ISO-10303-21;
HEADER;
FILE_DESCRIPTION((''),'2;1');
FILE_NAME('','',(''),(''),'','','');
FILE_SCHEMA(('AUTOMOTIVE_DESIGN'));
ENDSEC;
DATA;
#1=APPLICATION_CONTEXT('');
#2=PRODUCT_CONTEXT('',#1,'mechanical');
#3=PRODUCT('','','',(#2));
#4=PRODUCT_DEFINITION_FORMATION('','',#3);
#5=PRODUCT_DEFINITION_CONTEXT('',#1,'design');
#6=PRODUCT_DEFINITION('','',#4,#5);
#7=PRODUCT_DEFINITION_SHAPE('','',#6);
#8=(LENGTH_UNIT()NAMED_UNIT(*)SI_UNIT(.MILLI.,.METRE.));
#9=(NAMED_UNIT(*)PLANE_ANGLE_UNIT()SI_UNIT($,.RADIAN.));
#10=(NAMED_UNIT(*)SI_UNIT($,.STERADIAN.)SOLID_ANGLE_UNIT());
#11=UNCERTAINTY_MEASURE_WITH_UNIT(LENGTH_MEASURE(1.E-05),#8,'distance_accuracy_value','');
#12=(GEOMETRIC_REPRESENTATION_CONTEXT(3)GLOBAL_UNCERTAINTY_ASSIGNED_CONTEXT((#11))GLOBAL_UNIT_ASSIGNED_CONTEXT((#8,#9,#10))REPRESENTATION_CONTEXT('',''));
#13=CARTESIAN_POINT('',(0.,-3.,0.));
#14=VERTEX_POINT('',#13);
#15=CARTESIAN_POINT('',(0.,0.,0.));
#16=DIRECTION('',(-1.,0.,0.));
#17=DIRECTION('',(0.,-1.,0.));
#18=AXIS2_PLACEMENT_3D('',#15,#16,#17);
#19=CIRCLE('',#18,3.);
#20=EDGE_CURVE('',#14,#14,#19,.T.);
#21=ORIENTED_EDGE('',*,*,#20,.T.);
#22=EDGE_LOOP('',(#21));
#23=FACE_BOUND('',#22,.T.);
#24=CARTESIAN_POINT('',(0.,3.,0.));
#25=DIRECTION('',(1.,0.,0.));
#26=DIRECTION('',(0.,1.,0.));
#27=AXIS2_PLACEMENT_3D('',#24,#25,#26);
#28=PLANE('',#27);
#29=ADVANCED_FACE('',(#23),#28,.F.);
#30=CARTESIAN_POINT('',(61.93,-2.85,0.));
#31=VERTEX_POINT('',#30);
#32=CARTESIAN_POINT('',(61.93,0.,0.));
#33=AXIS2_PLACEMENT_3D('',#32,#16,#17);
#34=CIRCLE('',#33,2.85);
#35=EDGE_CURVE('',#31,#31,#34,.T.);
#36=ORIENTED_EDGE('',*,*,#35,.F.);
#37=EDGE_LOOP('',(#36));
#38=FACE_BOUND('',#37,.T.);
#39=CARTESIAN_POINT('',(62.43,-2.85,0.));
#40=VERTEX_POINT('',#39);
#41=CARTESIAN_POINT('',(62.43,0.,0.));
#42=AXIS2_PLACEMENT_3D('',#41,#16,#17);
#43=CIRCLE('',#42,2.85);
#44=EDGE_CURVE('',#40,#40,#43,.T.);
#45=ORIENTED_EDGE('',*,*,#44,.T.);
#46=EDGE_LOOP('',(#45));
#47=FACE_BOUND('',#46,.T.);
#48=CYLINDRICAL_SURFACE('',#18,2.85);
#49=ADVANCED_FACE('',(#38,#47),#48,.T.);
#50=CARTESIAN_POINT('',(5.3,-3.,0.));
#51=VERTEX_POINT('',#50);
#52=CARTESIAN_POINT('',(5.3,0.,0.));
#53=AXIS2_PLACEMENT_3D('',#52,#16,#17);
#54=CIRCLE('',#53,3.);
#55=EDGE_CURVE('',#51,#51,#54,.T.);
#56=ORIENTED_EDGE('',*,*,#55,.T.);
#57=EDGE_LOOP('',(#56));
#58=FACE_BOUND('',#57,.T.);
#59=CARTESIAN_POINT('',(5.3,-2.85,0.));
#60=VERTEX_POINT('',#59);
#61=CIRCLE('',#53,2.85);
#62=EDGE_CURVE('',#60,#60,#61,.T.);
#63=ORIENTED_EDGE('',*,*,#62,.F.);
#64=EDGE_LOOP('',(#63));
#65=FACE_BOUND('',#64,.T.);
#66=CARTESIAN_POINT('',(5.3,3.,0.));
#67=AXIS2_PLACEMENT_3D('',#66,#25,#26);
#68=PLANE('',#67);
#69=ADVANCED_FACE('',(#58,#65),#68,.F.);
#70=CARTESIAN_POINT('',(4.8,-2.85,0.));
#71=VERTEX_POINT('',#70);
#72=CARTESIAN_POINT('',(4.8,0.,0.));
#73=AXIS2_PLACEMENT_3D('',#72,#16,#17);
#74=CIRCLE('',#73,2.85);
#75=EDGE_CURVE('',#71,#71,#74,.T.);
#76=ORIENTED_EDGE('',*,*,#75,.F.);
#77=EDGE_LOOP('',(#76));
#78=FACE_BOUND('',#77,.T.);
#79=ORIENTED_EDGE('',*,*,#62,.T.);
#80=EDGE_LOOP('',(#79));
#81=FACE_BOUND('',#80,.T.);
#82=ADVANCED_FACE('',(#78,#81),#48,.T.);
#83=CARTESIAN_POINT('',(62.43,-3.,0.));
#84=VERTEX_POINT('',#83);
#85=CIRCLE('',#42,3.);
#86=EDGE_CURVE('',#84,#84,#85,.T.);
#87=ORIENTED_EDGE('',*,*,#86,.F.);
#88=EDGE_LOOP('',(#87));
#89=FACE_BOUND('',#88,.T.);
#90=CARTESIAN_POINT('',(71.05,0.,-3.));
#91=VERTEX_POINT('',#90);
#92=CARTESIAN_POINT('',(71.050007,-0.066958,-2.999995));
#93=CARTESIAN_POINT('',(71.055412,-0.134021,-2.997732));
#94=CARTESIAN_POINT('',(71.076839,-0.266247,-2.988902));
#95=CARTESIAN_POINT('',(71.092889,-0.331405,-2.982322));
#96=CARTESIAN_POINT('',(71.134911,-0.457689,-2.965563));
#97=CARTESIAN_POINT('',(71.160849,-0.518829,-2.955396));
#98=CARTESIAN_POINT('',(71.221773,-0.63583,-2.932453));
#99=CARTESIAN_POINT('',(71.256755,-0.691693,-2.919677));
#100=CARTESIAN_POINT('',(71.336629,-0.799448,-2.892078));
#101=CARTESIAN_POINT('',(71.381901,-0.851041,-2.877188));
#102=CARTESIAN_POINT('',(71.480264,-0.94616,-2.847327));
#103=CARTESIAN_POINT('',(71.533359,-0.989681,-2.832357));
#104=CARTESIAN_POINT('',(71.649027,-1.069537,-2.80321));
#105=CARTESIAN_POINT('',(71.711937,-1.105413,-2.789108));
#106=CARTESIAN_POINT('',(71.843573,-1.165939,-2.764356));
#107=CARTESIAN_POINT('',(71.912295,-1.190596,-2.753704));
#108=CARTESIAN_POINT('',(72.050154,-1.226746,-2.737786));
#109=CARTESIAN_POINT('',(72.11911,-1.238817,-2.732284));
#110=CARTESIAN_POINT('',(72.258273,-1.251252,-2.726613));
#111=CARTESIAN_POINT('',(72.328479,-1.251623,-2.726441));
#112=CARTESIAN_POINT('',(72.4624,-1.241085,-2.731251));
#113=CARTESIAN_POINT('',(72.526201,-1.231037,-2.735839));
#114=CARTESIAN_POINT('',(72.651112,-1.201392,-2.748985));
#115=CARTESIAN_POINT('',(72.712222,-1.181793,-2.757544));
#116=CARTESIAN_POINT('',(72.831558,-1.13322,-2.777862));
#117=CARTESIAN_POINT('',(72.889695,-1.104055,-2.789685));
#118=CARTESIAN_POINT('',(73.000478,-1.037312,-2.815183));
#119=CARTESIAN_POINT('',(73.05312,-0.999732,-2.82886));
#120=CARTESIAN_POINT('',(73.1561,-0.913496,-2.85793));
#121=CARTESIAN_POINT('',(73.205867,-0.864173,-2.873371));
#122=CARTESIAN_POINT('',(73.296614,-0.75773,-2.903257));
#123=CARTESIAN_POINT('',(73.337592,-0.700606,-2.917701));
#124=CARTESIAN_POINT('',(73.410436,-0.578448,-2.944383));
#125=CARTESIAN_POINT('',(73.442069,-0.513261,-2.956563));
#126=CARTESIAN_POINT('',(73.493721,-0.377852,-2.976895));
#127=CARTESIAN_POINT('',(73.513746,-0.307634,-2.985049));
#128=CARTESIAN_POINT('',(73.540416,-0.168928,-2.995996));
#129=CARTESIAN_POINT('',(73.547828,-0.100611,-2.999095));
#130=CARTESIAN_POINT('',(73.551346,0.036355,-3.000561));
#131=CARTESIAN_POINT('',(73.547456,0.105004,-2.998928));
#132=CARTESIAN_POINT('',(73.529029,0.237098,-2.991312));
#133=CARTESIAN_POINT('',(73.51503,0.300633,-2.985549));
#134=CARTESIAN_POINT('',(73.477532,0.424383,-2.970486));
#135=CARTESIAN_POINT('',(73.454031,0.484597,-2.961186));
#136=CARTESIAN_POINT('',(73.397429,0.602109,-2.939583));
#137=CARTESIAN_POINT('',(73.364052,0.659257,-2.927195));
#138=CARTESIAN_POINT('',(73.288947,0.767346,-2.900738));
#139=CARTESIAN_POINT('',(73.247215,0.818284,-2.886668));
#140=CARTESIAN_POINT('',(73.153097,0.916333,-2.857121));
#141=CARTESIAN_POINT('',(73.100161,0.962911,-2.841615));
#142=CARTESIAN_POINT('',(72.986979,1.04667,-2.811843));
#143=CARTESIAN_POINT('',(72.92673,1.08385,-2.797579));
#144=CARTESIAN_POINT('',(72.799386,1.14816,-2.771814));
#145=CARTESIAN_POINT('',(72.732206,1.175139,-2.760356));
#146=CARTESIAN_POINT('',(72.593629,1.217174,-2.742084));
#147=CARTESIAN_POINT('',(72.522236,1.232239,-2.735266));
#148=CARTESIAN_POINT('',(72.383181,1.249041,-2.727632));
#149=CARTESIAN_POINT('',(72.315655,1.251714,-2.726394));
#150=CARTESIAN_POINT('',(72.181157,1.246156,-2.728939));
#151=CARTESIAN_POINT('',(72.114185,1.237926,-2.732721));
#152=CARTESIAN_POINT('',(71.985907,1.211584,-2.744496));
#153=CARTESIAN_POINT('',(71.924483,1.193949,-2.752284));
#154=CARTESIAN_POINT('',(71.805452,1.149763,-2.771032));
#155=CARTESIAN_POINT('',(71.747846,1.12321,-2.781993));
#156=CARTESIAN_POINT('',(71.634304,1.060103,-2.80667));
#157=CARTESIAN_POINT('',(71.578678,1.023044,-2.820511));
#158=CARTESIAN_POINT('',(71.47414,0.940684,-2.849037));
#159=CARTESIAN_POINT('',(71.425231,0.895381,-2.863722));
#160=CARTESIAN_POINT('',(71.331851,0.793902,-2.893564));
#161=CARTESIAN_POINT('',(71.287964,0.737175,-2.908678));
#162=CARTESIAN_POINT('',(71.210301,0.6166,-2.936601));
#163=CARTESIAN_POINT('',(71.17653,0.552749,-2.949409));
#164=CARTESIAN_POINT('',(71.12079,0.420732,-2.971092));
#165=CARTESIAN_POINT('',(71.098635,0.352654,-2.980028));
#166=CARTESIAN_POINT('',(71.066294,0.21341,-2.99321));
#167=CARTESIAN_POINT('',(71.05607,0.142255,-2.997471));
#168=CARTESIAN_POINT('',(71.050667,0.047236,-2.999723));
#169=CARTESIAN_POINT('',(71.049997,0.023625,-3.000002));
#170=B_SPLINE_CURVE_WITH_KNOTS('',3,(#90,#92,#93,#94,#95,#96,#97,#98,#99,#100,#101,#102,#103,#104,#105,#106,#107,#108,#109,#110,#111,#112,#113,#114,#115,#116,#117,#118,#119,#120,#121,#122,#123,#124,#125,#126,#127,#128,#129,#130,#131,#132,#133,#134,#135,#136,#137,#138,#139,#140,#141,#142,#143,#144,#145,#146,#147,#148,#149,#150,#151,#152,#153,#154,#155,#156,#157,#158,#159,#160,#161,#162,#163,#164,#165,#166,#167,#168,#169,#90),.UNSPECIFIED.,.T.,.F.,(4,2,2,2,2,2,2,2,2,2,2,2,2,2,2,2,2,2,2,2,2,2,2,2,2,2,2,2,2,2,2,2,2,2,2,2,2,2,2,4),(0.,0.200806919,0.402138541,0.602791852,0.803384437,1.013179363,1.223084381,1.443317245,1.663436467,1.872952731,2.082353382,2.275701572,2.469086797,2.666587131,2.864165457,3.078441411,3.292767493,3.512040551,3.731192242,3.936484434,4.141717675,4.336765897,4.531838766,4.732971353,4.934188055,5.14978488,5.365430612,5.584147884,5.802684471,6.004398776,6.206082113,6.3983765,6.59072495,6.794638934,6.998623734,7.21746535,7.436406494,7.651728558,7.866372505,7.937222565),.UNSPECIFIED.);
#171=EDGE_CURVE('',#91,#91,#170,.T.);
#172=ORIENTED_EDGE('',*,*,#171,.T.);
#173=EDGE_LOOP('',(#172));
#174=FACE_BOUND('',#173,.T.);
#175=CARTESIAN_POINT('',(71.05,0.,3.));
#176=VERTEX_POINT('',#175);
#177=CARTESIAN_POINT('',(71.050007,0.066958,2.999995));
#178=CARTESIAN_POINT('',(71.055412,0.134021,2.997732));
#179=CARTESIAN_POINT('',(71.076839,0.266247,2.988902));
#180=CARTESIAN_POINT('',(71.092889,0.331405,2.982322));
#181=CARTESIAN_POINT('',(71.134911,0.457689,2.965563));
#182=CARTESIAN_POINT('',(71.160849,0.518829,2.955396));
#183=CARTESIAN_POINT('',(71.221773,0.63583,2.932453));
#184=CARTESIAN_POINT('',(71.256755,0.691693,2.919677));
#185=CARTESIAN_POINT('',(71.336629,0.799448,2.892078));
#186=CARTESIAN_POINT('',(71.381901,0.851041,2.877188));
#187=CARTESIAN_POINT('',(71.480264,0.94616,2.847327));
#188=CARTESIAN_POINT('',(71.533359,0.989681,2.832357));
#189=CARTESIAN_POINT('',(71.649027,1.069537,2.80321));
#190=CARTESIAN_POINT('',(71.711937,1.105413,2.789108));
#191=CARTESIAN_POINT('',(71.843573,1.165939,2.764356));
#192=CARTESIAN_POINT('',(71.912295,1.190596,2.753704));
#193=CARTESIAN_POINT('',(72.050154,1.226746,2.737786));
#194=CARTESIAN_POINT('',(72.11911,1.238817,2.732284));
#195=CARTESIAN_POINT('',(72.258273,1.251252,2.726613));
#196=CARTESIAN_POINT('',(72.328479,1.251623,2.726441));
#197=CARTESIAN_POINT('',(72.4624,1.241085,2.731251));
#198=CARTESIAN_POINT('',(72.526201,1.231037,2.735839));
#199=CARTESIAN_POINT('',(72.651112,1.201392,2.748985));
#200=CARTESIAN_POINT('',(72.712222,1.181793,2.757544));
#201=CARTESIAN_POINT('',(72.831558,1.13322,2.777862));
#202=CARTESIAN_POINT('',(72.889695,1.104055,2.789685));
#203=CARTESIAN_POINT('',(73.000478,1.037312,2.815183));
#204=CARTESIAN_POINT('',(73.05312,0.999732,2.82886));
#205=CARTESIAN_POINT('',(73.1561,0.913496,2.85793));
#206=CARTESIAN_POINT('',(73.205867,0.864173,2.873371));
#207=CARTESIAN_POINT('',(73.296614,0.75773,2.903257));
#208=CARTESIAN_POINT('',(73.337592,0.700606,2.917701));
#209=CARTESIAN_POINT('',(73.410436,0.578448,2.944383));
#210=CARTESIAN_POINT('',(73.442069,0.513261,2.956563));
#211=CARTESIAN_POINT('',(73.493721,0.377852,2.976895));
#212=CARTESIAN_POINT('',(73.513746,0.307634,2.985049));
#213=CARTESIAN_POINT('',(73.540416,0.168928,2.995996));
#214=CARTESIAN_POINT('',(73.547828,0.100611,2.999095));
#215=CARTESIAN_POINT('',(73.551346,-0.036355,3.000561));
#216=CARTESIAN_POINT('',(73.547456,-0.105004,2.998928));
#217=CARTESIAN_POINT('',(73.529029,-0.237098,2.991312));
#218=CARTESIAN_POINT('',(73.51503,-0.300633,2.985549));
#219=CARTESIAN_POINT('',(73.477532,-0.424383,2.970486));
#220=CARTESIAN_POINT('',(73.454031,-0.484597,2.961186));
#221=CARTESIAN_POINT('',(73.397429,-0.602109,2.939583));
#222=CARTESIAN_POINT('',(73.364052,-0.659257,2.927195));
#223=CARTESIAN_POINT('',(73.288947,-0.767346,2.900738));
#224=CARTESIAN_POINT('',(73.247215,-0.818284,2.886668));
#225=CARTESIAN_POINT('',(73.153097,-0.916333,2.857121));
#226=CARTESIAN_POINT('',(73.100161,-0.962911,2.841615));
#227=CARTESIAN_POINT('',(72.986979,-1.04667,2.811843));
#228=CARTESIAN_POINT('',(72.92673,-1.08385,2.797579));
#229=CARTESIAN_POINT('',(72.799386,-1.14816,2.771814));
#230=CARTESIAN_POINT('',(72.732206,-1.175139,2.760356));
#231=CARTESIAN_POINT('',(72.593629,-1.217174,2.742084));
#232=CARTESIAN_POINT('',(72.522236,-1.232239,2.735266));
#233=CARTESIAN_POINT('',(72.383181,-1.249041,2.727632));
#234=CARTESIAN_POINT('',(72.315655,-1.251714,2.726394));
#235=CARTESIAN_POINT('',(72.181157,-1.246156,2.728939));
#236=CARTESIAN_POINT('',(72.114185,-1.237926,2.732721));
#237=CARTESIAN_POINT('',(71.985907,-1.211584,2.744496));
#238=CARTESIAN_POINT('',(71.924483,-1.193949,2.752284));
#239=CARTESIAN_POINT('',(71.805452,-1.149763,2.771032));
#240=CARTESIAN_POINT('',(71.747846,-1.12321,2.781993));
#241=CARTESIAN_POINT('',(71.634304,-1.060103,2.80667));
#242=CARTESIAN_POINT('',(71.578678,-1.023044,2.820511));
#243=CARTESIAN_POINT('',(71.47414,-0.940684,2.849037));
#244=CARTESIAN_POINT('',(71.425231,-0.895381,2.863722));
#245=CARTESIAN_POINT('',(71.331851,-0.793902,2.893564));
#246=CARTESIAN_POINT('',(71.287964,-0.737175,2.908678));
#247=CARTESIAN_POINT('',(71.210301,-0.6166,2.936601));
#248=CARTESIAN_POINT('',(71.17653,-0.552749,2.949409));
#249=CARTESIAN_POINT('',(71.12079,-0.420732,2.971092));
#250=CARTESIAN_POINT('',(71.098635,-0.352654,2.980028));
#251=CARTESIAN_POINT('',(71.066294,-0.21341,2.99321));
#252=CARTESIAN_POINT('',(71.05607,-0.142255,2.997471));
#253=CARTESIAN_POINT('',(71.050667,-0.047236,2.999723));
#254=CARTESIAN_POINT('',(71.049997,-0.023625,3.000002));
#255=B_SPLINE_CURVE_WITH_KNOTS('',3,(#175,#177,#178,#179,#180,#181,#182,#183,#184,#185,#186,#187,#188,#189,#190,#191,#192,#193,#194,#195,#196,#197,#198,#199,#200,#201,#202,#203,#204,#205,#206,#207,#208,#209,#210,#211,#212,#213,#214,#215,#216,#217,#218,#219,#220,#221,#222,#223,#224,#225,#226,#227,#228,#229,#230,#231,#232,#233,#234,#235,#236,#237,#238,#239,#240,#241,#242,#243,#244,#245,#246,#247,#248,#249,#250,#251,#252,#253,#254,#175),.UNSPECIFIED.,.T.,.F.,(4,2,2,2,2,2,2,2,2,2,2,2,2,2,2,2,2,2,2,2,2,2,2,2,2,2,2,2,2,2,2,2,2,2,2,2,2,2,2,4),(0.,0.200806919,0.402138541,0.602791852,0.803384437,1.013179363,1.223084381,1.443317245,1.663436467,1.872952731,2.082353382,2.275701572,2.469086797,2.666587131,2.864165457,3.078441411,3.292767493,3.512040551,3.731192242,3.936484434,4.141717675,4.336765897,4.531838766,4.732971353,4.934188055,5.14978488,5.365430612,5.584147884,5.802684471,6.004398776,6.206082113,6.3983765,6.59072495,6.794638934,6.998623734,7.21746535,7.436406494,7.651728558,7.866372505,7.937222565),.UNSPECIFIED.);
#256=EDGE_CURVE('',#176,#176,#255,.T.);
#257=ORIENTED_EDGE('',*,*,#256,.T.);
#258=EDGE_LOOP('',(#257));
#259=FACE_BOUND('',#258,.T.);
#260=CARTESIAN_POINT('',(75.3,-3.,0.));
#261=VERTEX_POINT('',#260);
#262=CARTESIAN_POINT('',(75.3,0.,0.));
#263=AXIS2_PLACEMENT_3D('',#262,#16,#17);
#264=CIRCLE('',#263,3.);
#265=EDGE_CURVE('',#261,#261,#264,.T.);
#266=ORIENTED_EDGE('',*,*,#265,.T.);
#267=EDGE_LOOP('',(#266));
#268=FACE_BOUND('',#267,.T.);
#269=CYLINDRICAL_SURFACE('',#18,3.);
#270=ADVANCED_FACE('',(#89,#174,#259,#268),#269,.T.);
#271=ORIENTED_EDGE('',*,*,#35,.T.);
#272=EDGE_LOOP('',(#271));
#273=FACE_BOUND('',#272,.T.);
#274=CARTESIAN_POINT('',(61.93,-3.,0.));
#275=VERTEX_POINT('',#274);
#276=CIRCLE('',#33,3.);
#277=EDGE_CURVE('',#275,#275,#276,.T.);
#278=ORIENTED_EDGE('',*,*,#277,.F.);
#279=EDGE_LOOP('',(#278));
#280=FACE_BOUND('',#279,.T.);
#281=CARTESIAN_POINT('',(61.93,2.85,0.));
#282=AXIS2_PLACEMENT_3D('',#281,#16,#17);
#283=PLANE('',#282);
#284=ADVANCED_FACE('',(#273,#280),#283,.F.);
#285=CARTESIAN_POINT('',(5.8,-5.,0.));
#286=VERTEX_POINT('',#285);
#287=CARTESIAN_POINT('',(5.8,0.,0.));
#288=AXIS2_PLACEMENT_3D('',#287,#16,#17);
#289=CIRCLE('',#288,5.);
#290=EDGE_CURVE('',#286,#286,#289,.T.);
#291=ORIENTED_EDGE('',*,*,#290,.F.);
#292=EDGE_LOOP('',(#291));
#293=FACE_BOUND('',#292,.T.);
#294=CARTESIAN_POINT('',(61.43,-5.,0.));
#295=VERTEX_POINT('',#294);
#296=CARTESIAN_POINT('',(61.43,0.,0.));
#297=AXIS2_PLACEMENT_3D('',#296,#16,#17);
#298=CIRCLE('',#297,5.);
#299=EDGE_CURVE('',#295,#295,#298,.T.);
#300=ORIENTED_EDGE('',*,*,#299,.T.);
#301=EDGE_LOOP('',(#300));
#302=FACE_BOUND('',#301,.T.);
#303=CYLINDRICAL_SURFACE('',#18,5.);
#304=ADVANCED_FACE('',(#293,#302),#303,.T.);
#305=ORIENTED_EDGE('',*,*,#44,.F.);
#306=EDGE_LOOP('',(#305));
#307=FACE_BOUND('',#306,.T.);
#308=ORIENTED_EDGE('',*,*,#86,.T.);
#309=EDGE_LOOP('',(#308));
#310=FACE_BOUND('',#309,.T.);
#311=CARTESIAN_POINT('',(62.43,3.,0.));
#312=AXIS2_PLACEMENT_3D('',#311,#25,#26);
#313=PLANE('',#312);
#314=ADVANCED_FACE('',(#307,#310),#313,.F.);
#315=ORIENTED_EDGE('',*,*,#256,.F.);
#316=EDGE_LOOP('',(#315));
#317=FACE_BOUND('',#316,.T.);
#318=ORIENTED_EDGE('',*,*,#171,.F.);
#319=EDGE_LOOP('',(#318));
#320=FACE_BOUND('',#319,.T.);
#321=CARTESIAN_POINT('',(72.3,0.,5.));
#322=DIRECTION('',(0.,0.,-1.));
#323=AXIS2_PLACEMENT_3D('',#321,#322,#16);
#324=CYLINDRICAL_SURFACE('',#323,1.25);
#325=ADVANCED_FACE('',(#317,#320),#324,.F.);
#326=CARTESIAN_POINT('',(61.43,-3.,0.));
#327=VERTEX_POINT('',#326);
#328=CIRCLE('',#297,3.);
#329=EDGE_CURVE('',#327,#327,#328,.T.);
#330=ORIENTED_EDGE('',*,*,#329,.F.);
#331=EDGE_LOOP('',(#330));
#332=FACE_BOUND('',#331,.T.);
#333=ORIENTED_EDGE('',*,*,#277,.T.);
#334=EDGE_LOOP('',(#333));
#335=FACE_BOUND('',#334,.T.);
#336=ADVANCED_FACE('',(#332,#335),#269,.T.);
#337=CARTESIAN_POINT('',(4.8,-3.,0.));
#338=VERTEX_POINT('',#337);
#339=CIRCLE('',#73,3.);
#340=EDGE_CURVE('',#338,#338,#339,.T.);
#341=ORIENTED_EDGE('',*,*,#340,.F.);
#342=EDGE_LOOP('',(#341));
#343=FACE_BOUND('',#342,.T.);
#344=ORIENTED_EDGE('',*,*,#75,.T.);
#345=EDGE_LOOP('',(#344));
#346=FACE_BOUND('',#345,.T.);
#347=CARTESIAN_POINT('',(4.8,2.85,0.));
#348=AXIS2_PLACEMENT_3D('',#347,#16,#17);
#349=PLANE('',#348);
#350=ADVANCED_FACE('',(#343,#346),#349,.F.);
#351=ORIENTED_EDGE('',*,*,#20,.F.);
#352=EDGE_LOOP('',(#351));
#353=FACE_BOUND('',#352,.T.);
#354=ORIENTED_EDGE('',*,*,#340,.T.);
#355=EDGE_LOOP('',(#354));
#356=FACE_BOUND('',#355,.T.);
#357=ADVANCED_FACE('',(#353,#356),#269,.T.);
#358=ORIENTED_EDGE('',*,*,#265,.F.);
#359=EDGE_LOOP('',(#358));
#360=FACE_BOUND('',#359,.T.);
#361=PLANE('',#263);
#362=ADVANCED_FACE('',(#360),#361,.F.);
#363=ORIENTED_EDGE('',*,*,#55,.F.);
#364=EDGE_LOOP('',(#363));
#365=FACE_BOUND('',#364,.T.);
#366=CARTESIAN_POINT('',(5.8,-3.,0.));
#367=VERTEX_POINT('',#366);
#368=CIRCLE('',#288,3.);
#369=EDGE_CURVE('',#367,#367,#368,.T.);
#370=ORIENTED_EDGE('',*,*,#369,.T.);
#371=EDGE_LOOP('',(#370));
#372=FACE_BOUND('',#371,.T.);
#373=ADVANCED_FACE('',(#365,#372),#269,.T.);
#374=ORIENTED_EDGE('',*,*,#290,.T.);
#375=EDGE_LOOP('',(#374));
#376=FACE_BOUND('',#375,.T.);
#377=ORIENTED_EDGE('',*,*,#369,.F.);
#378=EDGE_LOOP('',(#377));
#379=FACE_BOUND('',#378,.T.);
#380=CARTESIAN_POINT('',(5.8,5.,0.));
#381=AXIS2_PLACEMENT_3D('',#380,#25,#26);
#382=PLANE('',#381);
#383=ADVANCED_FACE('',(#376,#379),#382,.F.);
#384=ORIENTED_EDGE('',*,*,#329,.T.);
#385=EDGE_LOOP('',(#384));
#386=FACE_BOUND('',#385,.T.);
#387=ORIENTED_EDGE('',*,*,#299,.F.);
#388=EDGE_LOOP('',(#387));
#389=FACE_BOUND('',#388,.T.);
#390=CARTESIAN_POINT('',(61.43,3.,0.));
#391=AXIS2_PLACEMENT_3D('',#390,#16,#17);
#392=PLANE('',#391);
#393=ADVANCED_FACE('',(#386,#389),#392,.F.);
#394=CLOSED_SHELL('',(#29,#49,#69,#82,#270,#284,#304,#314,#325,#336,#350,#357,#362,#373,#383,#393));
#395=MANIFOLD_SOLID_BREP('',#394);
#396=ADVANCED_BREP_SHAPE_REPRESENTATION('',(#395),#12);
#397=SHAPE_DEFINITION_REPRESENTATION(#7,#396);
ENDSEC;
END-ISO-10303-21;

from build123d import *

# Parameters (mm, degrees)
SKETCH4_R          = 1.25
CUT_EXTRUDE1_DEPTH = 5


with BuildPart() as part:
    # Sketch1 → Revolve1 (revolve)
    with BuildSketch(Plane.XY, mode=Mode.PRIVATE) as revolve1_sk:
        Polygon((0, 0), (75.3, 0), (75.3, 3), (62.43, 3), (62.43, 2.85), (61.93, 2.85), (61.93, 3), (61.43, 3), (61.43, 5), (5.8, 5), (5.8, 3), (5.3, 3), (5.3, 2.85), (4.8, 2.85), (4.8, 3), (0, 3), align=None)
    revolve(revolve1_sk.sketch.rotate(Axis((0, 0, 0), (1, 0, 0)), 180), axis=Axis((0, 0, 0), (1, 0, 0)))

    # Sketch4 → Cut-Extrude1 (cut, symmetric)
    with BuildSketch(Plane(origin=(0, 0, 0), x_dir=(-1, 0, 0), z_dir=(0, 0, -1))):
        with Locations((-72.3, 0)):
            Circle(SKETCH4_R)
    extrude(amount=CUT_EXTRUDE1_DEPTH, both=True, mode=Mode.SUBTRACT)


solid = part.part
